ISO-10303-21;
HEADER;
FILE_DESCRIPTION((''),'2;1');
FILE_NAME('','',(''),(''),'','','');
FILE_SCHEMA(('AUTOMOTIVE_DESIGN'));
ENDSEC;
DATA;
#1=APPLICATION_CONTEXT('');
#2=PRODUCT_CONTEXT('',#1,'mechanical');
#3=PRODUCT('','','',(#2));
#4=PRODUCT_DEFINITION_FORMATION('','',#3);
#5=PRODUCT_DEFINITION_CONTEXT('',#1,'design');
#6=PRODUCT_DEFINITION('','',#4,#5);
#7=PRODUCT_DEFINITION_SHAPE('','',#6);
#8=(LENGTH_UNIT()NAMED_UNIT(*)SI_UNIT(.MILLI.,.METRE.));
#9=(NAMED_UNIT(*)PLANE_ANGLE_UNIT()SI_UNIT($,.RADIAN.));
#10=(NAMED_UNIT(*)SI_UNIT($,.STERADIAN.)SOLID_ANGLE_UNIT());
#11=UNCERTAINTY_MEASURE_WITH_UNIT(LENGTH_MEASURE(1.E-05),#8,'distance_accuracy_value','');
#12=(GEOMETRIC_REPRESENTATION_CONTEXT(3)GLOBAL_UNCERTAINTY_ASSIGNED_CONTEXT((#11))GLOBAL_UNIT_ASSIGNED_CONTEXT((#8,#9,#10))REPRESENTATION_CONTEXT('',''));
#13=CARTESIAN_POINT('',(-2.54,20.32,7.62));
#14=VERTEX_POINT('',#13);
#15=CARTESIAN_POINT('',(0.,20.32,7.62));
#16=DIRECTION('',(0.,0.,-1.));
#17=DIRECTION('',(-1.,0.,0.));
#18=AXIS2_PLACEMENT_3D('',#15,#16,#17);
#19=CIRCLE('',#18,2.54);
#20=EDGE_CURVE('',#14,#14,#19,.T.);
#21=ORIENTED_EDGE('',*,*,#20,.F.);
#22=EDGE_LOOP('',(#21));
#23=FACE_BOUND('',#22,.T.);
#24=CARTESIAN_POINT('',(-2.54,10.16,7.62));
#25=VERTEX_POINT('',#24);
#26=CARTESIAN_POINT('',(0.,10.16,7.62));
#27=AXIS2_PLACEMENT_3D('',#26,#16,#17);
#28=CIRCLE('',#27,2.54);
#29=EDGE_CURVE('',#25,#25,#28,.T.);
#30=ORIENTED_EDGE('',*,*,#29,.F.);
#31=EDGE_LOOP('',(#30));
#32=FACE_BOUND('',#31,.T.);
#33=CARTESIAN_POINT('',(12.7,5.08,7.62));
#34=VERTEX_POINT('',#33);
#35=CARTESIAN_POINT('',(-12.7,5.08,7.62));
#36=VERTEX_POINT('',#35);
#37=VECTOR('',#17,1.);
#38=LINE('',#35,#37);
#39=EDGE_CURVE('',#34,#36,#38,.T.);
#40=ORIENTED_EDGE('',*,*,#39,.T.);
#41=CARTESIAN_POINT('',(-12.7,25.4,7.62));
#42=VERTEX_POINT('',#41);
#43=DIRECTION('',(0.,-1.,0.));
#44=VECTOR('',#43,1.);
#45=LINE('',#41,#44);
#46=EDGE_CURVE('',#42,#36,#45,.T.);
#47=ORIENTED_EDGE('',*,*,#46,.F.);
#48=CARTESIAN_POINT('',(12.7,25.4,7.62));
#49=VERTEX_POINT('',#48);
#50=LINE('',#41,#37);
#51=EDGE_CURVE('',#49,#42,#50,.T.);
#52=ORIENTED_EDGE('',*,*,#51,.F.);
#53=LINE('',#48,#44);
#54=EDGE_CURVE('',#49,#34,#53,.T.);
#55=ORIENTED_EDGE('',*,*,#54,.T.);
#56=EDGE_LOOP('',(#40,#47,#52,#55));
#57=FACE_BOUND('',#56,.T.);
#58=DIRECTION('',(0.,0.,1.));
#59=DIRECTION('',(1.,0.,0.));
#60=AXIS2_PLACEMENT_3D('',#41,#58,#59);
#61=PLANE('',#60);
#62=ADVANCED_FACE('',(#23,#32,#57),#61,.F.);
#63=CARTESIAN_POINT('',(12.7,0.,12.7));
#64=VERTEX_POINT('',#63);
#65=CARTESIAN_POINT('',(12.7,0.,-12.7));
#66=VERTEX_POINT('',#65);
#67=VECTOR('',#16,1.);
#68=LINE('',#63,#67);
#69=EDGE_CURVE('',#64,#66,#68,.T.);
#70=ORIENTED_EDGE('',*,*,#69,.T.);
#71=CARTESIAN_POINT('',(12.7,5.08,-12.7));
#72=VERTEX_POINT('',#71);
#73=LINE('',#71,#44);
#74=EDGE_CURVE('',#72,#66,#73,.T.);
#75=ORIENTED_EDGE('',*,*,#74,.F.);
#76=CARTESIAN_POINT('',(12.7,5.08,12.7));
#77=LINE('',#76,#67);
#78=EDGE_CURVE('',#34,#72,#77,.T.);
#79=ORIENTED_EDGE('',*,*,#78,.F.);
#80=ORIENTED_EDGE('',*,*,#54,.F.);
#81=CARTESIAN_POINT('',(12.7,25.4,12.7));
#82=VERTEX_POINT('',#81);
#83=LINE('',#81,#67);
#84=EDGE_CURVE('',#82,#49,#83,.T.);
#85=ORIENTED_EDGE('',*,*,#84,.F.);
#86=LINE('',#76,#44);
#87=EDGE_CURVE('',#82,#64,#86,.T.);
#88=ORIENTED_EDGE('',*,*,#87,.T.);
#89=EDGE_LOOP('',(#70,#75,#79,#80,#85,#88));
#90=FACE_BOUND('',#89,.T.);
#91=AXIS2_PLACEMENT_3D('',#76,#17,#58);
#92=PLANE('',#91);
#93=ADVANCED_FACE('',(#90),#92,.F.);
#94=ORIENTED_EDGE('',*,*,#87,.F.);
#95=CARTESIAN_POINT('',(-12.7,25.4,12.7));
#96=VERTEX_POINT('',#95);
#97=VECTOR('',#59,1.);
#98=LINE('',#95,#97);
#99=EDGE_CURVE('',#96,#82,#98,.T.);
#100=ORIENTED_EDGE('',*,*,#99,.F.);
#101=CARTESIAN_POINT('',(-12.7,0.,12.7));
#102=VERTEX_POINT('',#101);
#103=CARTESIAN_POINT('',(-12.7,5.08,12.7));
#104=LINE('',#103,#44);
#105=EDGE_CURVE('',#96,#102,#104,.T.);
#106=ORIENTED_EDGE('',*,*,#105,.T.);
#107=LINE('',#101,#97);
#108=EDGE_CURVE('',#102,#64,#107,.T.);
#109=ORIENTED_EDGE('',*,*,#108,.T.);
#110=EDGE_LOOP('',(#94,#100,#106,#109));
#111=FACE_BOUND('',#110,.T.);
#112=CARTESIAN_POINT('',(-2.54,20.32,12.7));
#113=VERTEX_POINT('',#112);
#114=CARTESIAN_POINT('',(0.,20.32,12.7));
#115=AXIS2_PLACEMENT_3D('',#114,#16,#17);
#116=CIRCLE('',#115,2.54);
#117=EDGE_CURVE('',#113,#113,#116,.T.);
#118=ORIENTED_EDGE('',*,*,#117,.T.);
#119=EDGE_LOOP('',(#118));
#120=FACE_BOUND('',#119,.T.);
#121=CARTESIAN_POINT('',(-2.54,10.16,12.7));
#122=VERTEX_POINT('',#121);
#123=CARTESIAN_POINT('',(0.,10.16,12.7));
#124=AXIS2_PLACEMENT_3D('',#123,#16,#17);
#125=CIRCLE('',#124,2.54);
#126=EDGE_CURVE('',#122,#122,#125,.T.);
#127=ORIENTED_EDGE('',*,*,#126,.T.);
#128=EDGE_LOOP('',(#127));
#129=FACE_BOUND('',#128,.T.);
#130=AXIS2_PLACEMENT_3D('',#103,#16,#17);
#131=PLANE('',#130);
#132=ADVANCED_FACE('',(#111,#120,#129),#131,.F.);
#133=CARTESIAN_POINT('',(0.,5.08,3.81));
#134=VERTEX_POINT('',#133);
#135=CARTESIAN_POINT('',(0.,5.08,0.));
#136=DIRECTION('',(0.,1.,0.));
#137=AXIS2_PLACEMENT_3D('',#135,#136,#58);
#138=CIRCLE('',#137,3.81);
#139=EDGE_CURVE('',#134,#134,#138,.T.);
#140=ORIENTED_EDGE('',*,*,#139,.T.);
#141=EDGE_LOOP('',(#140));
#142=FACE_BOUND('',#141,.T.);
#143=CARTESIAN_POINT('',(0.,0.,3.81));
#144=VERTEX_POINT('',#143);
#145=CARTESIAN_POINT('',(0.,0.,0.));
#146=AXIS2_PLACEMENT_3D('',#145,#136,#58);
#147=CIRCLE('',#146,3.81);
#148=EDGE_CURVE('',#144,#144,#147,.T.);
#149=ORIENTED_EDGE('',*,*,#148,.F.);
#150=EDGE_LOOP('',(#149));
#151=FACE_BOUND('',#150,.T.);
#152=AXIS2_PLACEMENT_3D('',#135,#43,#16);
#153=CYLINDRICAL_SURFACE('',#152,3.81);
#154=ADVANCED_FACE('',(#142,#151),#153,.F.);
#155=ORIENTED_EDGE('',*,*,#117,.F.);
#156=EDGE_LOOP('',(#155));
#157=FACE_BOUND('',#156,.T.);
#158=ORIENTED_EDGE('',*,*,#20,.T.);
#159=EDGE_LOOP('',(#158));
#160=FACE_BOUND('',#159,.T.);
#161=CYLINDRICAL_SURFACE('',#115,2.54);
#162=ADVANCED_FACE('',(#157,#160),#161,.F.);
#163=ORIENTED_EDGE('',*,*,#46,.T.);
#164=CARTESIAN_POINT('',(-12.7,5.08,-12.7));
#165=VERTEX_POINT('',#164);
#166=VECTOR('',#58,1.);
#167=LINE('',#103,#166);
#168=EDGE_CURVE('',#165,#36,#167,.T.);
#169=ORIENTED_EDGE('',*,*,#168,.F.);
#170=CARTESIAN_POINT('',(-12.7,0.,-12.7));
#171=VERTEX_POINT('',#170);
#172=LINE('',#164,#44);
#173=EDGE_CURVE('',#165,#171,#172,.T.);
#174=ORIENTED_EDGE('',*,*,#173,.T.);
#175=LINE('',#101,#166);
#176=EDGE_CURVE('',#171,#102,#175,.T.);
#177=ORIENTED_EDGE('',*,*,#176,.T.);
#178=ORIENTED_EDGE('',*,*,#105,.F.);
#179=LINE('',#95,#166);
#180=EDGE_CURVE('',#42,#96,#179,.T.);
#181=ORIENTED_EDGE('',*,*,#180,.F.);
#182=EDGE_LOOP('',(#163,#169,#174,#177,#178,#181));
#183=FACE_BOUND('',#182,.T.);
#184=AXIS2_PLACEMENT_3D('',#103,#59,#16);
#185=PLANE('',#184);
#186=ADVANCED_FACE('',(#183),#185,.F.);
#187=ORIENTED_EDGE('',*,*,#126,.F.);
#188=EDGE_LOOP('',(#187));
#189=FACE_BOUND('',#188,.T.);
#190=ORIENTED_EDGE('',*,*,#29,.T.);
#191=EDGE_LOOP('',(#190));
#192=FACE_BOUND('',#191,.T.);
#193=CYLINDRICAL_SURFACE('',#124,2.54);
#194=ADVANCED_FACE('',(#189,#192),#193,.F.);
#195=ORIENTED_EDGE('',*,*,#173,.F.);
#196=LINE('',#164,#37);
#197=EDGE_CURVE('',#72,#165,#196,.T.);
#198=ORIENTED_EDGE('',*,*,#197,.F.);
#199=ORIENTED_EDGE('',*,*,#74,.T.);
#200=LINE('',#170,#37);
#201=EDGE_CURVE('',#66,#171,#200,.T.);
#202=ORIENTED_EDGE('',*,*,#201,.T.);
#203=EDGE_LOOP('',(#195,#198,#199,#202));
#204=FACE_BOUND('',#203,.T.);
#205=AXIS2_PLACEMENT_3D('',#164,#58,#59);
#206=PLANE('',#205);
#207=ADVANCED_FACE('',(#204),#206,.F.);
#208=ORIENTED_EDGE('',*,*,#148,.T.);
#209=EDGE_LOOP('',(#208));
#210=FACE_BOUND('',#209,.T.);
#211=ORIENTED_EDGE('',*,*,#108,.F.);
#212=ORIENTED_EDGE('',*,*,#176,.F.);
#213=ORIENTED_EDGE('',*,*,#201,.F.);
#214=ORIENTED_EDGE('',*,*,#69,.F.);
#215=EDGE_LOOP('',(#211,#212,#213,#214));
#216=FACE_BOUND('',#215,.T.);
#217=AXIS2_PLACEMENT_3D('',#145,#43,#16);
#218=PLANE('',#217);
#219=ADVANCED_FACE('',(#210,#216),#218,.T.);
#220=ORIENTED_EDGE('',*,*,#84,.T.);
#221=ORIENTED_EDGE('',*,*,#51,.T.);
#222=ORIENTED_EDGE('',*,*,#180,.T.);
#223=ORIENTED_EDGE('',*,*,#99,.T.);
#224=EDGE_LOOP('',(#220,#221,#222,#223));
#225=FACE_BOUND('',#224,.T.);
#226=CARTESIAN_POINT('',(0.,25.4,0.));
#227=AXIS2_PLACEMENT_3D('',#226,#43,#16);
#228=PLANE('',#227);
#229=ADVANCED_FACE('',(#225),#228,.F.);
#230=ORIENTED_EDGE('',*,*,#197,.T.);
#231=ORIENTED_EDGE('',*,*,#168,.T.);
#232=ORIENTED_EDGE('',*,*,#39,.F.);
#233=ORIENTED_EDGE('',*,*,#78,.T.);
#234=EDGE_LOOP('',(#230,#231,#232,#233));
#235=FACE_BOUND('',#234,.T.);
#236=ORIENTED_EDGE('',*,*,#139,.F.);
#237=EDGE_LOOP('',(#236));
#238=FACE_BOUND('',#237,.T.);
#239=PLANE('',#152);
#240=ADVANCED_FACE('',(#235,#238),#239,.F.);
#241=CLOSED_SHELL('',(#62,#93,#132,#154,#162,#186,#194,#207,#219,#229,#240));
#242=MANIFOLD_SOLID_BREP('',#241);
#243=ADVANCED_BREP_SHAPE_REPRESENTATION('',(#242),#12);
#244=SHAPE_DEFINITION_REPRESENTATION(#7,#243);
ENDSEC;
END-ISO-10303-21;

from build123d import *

# Parameters (mm, degrees)
SKETCH2_W           = 25.4
SKETCH2_H           = 25.4
SKETCH2_R           = 3.81
BOSS_EXTRUDE1_DEPTH = 5.08
SKETCH3_W           = 25.4
SKETCH3_H           = 5.08
BOSS_EXTRUDE2_DEPTH = 20.32
SKETCH4_R           = 2.54
CUT_EXTRUDE1_DEPTH  = 35.919226796


with BuildPart() as part:
    # Sketch2 → Boss-Extrude1 (new body)
    with BuildSketch(Plane(origin=(0, 0, 0), x_dir=(1, 0, 0), z_dir=(0, 1, 0))):
        Rectangle(SKETCH2_W, SKETCH2_H)
        with Locations(Location((0, 0, 0), (0, 0, 270))):
            Circle(SKETCH2_R, mode=Mode.SUBTRACT)
    extrude(amount=BOSS_EXTRUDE1_DEPTH)

    # Sketch3 → Boss-Extrude2 (add)
    with BuildSketch(Plane(origin=(0, 5.08, 0), x_dir=(1, 0, 0), z_dir=(0, 1, 0))):
        with Locations((0, -10.16)):
            Rectangle(SKETCH3_W, SKETCH3_H)
    extrude(amount=BOSS_EXTRUDE2_DEPTH)

    # Sketch4 → Cut-Extrude1 (cut, through all)
    with BuildSketch(Plane(origin=(0, 0, 7.62), x_dir=(-1, 0, 0), z_dir=(0, 0, -1))):
        with Locations((0, 20.32)):
            Circle(SKETCH4_R)
        with Locations((0, 10.16)):
            Circle(SKETCH4_R)
    extrude(amount=-CUT_EXTRUDE1_DEPTH, mode=Mode.SUBTRACT)


solid = part.part
